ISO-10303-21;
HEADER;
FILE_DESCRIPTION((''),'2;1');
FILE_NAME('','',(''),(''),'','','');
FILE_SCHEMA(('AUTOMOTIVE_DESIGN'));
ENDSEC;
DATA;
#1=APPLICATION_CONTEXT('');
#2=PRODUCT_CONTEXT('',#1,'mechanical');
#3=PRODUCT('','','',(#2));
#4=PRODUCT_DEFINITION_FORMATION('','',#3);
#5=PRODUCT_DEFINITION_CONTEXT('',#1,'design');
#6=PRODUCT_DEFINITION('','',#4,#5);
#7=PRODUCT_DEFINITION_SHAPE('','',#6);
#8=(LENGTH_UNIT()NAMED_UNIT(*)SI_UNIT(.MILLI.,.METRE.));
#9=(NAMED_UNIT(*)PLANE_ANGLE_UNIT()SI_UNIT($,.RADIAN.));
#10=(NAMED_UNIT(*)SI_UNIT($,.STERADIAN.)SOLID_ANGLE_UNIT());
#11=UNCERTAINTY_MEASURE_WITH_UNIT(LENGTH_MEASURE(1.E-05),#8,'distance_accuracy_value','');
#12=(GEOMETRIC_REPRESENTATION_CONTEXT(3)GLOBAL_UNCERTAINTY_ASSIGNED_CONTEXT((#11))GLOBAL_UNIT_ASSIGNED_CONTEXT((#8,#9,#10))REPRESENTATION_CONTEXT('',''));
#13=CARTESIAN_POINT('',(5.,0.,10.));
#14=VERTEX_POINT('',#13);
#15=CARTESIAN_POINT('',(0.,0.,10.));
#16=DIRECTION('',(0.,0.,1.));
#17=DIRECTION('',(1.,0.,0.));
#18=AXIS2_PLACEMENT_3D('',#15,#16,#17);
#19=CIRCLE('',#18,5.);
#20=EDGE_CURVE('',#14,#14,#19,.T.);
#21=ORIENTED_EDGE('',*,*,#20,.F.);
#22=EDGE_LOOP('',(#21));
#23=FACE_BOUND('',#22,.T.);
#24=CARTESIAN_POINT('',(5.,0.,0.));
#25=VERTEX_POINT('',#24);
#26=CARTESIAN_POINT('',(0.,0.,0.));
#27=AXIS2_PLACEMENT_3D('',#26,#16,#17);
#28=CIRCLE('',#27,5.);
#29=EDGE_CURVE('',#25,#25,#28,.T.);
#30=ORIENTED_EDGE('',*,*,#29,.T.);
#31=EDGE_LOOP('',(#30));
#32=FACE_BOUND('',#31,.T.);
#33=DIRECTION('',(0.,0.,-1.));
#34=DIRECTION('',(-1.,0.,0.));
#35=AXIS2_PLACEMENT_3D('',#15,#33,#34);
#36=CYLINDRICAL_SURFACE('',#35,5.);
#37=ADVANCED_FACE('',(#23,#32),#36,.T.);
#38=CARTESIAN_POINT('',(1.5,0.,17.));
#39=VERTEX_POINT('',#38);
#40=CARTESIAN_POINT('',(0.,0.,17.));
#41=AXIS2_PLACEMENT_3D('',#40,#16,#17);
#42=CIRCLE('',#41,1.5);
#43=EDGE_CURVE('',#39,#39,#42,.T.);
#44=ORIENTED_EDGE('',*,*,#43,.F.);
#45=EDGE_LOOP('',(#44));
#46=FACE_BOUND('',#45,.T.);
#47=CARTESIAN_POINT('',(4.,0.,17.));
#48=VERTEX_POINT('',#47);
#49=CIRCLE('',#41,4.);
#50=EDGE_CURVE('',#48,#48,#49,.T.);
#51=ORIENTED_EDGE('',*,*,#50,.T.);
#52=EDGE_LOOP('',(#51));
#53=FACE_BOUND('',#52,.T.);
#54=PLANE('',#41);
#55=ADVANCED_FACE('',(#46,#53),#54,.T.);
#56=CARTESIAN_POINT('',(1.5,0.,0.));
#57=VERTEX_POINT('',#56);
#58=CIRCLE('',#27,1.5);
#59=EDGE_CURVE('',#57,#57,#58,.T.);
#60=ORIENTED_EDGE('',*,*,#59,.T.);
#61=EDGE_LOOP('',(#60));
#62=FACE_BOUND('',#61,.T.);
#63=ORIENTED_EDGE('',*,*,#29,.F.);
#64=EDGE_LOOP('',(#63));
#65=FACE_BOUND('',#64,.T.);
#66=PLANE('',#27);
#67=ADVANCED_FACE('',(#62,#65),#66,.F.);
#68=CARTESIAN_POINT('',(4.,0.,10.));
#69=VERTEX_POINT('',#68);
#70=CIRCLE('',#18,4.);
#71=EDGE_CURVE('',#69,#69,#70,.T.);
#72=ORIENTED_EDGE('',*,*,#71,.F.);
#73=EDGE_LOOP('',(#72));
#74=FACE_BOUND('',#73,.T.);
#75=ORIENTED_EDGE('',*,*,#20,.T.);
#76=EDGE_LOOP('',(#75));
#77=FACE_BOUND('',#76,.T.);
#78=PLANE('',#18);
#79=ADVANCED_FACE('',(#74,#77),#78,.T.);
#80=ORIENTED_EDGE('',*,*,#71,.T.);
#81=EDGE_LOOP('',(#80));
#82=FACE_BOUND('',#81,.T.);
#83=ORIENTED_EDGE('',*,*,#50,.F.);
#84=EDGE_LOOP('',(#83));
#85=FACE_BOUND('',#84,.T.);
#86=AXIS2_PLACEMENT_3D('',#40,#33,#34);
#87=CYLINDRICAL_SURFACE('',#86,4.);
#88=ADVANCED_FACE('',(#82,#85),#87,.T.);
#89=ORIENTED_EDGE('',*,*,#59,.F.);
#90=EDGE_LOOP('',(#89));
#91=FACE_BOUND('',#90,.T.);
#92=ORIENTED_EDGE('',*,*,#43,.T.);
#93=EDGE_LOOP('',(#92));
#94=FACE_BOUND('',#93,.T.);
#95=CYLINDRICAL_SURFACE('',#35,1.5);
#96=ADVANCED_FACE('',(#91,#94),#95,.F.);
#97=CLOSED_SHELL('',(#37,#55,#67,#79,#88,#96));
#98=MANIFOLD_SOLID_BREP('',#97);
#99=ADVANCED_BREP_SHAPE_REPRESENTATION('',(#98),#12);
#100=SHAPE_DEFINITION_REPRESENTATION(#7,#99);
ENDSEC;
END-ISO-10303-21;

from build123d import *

# Parameters (mm, degrees)
SKETCH1_R           = 5
SKETCH1_R_2         = 1.5
BOSS_EXTRUDE1_DEPTH = 10
SKETCH2_R           = 4
SKETCH2_R_2         = 1.5
BOSS_EXTRUDE2_DEPTH = 7


with BuildPart() as part:
    # Sketch1 → Boss-Extrude1 (new body)
    with BuildSketch(Plane.XY):
        Circle(SKETCH1_R)
        Circle(SKETCH1_R_2, mode=Mode.SUBTRACT)
    extrude(amount=BOSS_EXTRUDE1_DEPTH)

    # Sketch2 → Boss-Extrude2 (add)
    with BuildSketch(Plane.XY.offset(10)):
        Circle(SKETCH2_R)
        Circle(SKETCH2_R_2, mode=Mode.SUBTRACT)
    extrude(amount=BOSS_EXTRUDE2_DEPTH)


solid = part.part
